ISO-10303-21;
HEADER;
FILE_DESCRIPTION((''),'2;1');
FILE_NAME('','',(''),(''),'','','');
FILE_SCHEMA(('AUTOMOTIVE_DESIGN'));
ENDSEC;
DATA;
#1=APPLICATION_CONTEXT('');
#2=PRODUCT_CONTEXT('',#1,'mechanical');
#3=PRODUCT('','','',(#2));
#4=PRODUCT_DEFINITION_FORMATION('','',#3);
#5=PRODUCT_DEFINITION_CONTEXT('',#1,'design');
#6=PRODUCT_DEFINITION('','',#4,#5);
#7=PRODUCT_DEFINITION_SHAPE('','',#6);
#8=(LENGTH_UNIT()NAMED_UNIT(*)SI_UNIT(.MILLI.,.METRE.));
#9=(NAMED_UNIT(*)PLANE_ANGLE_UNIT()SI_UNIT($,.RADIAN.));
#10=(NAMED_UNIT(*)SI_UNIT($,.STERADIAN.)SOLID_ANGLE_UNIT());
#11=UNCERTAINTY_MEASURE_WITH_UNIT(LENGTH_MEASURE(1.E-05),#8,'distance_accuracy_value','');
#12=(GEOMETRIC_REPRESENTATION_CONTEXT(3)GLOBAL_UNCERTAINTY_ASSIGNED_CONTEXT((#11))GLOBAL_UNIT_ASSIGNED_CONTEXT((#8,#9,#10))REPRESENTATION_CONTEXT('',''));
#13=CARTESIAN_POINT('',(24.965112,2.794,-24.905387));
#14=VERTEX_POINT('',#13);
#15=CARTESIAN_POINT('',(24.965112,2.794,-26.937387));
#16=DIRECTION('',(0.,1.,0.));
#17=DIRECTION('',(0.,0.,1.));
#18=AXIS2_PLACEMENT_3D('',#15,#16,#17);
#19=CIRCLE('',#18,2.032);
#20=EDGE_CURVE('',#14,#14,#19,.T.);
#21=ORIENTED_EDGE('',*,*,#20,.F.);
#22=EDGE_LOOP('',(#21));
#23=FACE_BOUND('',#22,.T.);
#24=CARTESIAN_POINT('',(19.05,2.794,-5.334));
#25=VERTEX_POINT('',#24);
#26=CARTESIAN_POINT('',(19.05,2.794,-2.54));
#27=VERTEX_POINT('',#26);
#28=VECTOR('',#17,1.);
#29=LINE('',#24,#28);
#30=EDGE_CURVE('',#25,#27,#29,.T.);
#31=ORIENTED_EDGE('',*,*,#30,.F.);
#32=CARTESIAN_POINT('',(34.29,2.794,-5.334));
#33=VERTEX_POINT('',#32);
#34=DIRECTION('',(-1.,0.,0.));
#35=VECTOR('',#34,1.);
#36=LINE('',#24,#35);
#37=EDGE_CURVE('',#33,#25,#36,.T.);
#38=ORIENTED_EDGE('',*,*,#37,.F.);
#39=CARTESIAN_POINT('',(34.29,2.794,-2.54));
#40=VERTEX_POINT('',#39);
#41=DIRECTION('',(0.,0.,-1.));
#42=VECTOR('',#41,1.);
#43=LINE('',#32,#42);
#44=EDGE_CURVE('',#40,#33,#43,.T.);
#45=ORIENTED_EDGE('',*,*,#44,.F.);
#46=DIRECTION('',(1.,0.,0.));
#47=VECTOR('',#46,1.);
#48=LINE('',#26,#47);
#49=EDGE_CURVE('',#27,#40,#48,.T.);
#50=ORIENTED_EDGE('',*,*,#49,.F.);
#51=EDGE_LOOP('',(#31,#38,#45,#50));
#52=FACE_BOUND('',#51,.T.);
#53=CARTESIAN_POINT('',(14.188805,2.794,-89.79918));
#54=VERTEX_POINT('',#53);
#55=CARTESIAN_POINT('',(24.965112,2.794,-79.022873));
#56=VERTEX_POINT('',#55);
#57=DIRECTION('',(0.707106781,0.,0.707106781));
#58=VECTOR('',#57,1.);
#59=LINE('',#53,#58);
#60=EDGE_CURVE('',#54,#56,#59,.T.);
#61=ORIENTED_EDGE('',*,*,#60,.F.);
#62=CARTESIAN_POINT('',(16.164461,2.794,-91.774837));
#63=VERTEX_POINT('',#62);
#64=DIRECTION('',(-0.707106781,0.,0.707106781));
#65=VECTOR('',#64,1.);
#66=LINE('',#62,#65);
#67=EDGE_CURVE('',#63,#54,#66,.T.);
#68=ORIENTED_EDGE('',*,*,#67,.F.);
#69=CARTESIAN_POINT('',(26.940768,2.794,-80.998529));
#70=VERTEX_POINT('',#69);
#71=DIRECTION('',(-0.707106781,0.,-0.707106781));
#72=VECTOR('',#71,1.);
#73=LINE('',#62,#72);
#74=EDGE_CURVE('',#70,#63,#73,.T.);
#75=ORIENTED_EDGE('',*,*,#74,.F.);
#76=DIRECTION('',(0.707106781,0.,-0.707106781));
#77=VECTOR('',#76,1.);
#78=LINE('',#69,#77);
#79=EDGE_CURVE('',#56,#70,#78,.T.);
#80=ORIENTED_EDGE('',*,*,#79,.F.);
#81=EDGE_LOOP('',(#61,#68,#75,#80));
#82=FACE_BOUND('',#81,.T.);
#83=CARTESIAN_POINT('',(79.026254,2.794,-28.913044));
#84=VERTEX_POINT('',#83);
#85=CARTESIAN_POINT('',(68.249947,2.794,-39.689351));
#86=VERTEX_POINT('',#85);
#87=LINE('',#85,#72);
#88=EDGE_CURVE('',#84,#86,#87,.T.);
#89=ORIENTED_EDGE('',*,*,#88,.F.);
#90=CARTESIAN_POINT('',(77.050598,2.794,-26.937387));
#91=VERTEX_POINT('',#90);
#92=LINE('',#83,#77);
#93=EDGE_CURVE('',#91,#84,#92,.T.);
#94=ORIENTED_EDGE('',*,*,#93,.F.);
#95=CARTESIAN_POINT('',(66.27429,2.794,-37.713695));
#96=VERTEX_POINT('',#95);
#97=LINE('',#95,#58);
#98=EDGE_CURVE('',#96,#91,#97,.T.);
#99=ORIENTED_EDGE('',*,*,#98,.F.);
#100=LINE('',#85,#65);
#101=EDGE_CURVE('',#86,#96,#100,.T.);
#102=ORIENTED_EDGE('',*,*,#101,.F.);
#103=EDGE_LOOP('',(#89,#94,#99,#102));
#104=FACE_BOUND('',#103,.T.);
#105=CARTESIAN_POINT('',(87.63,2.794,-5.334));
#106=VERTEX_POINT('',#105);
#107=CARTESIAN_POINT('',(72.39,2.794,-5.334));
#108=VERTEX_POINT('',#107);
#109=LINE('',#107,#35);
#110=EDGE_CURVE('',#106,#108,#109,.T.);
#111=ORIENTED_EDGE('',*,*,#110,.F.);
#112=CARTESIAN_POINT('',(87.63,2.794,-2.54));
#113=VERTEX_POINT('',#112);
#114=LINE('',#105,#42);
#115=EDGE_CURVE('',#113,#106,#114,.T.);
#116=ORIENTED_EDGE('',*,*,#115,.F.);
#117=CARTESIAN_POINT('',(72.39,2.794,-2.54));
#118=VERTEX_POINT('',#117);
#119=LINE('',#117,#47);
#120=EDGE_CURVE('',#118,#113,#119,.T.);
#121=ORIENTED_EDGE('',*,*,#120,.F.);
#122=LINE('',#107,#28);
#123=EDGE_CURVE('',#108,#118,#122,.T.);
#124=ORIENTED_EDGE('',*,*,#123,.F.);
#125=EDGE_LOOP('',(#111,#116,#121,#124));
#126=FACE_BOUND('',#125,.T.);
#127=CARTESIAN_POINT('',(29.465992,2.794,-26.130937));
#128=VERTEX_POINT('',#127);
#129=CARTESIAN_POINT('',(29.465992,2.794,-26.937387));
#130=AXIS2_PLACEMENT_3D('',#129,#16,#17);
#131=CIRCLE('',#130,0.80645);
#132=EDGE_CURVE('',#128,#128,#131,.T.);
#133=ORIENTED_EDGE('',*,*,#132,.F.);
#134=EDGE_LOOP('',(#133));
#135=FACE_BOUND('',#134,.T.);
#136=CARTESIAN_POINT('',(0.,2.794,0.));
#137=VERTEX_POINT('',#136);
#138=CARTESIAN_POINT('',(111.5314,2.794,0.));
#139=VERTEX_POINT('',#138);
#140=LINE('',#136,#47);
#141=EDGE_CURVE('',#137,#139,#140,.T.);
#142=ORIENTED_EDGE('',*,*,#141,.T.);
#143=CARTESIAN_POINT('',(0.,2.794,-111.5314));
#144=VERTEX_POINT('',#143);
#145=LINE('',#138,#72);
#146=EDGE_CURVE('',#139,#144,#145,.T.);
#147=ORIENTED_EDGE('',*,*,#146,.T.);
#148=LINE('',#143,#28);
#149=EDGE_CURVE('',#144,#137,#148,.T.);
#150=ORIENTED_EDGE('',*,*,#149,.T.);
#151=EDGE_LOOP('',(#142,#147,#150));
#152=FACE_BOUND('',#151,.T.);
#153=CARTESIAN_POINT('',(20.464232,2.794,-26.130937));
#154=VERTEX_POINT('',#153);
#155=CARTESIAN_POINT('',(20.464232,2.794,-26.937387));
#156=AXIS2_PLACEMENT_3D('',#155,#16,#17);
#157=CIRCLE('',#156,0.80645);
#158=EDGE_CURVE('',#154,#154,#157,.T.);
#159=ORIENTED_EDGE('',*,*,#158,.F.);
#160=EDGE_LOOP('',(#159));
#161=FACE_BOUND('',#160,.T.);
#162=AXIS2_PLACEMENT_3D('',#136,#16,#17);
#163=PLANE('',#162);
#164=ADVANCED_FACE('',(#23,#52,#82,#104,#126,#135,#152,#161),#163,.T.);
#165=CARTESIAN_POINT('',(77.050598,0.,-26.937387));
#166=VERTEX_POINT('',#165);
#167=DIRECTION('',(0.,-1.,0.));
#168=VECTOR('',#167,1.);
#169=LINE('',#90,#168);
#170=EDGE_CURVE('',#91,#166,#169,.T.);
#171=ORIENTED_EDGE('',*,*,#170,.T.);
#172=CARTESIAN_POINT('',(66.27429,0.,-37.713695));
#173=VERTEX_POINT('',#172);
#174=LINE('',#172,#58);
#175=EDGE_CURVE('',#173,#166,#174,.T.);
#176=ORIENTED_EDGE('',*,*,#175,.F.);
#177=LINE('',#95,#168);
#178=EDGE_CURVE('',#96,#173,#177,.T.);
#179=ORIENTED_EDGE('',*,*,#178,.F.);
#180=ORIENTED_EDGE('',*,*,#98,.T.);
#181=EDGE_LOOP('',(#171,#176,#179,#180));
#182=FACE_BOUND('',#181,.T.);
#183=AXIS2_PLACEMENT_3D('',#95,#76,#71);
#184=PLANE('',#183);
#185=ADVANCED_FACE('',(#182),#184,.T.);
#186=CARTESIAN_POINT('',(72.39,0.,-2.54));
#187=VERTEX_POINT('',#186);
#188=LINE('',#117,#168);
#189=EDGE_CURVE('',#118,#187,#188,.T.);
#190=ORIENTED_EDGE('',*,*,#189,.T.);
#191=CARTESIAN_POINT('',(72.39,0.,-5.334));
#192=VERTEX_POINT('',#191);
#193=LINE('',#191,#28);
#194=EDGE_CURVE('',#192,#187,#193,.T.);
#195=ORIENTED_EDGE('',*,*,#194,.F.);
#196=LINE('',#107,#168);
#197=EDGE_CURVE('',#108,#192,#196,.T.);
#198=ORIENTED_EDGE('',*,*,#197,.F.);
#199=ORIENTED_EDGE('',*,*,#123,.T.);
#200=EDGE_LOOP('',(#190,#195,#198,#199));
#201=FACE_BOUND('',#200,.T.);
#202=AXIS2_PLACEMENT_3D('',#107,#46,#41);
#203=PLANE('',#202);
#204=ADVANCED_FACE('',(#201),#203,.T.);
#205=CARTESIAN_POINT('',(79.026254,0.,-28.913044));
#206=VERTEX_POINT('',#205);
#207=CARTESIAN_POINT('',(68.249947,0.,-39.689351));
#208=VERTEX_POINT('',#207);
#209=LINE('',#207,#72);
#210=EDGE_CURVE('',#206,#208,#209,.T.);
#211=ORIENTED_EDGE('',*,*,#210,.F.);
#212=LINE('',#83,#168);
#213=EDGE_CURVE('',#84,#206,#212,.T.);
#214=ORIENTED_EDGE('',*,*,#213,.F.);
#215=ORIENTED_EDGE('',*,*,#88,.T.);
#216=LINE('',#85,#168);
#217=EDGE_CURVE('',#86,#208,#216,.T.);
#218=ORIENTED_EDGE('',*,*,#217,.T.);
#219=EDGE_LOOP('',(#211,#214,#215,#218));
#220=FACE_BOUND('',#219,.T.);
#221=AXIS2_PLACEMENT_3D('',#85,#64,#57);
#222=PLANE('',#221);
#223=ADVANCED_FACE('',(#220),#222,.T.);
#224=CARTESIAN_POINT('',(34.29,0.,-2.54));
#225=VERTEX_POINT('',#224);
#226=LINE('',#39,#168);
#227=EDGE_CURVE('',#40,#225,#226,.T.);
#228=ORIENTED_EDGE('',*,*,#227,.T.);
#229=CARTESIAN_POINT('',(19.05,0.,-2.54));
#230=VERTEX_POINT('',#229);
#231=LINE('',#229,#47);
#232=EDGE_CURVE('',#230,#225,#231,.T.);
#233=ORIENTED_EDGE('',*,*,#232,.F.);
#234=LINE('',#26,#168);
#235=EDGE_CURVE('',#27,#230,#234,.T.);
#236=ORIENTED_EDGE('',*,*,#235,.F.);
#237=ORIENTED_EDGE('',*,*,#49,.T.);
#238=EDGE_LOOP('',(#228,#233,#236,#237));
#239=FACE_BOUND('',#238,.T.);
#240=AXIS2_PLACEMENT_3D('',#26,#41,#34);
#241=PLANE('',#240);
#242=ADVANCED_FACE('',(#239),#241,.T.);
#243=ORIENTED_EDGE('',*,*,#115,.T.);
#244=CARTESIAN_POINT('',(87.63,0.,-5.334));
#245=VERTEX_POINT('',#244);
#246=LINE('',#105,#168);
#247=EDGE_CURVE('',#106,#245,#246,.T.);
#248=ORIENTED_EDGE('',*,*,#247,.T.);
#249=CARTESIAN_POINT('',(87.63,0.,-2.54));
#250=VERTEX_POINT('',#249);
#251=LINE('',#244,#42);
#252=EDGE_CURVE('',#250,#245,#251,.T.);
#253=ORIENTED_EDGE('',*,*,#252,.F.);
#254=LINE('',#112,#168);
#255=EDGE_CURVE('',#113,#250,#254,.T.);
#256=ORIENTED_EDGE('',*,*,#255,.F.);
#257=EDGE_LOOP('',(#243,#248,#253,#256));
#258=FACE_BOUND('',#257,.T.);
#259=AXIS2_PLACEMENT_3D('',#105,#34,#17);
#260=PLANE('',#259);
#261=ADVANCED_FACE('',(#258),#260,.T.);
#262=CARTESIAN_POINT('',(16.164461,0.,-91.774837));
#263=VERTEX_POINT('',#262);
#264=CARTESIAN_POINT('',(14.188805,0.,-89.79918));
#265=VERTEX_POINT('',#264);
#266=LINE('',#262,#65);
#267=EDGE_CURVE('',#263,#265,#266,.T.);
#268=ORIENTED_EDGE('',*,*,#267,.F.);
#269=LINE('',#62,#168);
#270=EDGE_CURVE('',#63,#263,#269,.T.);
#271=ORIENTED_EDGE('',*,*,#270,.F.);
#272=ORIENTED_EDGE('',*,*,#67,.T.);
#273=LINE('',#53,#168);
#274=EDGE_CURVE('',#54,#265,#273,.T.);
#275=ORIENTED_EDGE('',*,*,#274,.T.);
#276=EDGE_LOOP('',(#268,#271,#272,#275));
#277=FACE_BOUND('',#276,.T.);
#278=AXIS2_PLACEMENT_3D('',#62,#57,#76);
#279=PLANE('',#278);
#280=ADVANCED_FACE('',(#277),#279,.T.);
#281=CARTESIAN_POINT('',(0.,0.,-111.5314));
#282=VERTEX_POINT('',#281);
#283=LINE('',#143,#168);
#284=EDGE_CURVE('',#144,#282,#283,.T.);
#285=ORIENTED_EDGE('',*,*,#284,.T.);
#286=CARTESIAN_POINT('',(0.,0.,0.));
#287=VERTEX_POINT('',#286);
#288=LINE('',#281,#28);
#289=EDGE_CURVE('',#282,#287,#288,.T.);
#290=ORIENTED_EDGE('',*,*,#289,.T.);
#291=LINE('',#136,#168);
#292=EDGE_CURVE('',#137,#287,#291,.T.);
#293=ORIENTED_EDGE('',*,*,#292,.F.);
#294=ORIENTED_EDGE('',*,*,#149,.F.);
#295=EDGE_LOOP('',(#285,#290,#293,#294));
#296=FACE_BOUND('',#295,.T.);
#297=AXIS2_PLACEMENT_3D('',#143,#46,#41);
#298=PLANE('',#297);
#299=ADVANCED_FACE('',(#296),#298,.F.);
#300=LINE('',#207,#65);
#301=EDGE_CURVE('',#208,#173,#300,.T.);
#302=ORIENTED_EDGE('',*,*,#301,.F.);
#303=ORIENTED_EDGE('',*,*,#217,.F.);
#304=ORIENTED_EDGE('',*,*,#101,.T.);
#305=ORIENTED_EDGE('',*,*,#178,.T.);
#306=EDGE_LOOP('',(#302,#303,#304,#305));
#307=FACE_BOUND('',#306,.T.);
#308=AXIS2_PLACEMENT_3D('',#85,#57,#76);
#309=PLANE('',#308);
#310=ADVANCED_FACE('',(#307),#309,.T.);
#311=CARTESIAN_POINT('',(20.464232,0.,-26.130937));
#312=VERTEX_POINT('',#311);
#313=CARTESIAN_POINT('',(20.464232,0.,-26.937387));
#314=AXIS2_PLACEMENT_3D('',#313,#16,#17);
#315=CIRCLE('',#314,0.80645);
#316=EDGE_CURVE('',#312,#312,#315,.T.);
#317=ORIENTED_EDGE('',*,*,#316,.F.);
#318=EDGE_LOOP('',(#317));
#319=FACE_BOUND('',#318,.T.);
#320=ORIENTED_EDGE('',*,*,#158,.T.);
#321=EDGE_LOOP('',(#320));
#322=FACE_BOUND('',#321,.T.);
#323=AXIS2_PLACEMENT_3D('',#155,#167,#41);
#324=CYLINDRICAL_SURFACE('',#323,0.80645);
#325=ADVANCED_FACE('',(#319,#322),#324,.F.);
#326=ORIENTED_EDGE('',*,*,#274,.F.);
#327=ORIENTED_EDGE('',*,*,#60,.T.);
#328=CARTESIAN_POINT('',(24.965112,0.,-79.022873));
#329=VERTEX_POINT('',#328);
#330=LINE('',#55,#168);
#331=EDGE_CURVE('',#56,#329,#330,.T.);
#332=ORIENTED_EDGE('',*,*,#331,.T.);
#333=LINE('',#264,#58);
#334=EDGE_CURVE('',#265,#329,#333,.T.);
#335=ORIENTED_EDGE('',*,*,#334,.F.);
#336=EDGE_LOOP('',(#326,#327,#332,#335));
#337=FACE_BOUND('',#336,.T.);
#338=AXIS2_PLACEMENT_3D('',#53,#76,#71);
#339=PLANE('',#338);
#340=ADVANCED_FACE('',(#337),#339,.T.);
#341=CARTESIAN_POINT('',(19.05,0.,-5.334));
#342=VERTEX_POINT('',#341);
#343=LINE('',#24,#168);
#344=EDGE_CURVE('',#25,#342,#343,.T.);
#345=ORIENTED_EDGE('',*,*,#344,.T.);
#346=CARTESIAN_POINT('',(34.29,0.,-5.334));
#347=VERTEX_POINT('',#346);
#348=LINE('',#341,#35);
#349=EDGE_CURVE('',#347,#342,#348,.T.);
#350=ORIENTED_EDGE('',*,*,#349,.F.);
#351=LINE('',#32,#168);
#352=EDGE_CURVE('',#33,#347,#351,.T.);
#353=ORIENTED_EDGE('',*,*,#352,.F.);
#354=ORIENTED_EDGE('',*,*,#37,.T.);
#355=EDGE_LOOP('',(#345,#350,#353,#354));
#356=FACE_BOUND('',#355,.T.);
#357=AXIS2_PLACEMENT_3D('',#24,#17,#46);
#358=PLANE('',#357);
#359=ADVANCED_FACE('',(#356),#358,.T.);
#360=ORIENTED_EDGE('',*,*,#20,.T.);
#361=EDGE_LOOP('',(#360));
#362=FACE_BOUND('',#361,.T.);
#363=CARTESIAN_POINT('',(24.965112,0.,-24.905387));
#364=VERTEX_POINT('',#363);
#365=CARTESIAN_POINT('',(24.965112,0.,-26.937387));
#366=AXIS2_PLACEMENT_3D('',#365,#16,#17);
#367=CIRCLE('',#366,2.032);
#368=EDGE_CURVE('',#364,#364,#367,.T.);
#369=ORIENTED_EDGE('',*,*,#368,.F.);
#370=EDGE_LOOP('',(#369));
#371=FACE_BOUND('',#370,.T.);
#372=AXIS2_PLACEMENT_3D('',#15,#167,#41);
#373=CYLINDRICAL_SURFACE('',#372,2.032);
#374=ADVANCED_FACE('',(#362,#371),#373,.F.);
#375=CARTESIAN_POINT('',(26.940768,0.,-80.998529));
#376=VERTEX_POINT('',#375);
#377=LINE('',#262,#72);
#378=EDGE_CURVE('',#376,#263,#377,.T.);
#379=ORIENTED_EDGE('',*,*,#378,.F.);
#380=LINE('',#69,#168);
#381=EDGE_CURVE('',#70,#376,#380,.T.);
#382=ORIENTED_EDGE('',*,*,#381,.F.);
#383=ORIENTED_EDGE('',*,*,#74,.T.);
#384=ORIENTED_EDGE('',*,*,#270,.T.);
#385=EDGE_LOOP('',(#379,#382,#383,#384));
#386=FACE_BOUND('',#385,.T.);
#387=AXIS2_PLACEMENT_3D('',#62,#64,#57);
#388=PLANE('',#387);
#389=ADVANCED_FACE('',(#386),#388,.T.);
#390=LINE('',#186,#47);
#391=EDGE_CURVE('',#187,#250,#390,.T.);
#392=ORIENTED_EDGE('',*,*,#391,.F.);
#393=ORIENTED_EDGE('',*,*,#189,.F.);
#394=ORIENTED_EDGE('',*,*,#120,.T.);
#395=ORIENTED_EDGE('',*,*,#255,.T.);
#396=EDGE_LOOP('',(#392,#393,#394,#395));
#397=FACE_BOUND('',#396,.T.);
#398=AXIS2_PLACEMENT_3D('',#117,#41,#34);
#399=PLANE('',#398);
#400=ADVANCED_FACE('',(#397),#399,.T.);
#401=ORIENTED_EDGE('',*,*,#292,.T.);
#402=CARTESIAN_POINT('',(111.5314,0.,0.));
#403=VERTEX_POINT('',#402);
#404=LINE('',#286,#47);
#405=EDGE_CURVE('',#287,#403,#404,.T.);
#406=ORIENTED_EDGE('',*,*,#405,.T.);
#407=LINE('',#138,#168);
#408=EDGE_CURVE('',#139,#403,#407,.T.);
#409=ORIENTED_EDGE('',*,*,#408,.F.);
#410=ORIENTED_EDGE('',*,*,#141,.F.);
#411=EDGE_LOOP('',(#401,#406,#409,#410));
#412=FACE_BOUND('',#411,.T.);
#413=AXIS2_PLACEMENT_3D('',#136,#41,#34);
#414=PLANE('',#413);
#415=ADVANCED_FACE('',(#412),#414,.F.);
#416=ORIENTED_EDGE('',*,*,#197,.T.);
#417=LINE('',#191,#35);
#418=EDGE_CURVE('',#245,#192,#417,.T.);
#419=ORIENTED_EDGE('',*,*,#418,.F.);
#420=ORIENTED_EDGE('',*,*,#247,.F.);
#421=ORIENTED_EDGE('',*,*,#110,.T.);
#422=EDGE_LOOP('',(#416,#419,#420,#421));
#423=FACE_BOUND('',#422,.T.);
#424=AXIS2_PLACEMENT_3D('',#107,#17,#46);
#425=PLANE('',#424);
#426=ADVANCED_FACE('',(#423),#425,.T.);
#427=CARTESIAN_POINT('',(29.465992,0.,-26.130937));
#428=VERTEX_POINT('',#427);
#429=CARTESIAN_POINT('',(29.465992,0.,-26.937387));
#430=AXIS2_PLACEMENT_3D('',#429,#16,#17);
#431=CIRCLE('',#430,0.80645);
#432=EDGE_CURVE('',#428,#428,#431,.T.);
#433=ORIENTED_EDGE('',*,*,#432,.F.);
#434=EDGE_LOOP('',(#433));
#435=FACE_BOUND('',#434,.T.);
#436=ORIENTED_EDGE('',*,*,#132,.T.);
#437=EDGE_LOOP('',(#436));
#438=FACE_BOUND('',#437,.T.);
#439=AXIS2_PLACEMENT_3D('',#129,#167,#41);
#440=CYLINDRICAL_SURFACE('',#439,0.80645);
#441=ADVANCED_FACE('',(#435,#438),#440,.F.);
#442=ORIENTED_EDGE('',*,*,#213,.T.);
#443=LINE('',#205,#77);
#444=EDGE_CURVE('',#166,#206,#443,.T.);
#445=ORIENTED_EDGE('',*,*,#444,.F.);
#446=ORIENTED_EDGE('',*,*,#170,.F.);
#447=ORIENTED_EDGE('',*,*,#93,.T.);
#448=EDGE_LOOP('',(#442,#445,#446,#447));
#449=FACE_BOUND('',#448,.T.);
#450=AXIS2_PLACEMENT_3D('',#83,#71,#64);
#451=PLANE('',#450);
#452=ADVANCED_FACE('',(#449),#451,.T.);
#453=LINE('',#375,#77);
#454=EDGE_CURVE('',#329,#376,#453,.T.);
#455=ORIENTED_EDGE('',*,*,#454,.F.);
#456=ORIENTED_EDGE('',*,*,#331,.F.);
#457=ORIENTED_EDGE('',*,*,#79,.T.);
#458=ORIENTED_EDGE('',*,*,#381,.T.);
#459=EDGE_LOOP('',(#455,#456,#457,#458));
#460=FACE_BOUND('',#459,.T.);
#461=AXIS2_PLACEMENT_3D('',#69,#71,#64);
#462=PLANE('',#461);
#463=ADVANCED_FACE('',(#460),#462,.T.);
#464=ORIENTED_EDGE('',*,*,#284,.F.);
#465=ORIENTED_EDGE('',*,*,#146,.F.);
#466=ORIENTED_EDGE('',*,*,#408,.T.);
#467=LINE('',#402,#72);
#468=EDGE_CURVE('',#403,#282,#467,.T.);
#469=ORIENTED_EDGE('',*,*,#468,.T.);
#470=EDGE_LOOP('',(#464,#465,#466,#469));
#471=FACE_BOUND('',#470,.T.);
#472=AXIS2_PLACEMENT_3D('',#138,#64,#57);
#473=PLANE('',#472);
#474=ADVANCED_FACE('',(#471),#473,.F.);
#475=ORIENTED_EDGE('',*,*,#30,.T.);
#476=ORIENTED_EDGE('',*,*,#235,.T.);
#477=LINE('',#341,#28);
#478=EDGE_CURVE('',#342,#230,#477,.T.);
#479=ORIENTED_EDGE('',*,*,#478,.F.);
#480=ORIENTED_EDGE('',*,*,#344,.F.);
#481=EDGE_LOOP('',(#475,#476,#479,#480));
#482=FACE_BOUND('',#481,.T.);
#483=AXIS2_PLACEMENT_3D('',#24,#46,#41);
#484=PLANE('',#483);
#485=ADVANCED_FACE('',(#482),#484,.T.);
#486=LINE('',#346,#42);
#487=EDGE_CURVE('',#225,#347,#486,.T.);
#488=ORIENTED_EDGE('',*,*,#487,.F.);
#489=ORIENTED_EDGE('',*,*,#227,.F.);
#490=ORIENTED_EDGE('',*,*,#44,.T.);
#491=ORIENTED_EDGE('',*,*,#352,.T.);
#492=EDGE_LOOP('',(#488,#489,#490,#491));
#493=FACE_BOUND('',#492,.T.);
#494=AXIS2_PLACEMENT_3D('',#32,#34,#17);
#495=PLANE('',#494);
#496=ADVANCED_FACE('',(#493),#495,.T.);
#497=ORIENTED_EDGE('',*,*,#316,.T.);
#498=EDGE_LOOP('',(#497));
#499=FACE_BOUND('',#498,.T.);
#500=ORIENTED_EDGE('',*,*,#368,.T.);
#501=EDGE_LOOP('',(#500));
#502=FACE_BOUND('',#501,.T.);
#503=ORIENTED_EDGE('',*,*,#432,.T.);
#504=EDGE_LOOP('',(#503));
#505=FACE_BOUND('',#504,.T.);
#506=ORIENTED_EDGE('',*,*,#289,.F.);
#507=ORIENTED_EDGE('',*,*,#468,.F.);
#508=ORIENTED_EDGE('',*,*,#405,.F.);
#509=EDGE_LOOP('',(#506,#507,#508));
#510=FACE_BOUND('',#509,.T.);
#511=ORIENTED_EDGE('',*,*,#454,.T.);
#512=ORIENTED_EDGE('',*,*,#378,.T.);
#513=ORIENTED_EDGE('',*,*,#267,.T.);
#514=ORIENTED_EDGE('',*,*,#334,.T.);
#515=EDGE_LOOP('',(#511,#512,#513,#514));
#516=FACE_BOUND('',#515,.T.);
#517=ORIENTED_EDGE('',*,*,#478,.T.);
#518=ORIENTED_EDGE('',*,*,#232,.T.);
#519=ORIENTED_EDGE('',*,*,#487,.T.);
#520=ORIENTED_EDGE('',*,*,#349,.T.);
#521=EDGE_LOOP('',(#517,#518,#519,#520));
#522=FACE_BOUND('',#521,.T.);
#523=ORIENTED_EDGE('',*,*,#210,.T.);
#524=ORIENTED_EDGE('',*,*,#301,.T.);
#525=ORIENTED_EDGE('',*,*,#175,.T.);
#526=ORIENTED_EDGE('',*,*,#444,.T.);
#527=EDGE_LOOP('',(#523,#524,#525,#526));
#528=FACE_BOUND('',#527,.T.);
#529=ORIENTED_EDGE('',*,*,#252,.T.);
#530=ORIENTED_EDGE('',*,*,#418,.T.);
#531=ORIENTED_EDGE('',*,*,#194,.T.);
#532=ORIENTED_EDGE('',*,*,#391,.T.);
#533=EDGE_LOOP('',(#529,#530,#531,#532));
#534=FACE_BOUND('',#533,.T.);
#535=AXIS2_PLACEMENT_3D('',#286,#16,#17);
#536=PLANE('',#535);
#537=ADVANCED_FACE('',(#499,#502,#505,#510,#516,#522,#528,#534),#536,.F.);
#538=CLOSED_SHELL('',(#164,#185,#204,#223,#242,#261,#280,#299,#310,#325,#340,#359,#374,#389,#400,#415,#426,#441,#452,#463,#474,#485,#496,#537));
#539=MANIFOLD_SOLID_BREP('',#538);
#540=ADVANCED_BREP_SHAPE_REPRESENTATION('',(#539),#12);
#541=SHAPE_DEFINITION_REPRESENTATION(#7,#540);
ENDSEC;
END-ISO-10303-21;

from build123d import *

# Parameters (mm, degrees)
SKETCH1_R           = 2.032
SKETCH1_R_2         = 0.80645
SKETCH1_W           = 15.24
SKETCH1_H           = 2.794
BOSS_EXTRUDE1_DEPTH = 2.794


with BuildPart() as part:
    # Sketch1 → Boss-Extrude1 (new body)
    with BuildSketch(Plane(origin=(0, 0, 0), x_dir=(1, 0, 0), z_dir=(0, 1, 0))):
        Polygon((0, 0), (111.5314, 0), (0, 111.5314), align=None)
        with Locations((24.965112017, 26.93738734)):
            Circle(SKETCH1_R, mode=Mode.SUBTRACT)
        with Locations((20.464232017, 26.93738734)):
            Circle(SKETCH1_R_2, mode=Mode.SUBTRACT)
        with Locations((29.465992017, 26.93738734)):
            Circle(SKETCH1_R_2, mode=Mode.SUBTRACT)
        with Locations((26.67, 3.937)):
            Rectangle(SKETCH1_W, SKETCH1_H, mode=Mode.SUBTRACT)
        with Locations((80.01, 3.937)):
            Rectangle(SKETCH1_W, SKETCH1_H, mode=Mode.SUBTRACT)
        Polygon((16.164461018, 91.774836534), (26.940768363, 80.998529188), (24.965112017, 79.022872842), (14.188804671, 89.799180187), align=None, mode=Mode.SUBTRACT)
        Polygon((68.24994652, 39.689351031), (79.026253865, 28.913043686), (77.050597519, 26.93738734), (66.274290173, 37.713694685), align=None, mode=Mode.SUBTRACT)
    extrude(amount=BOSS_EXTRUDE1_DEPTH)


solid = part.part
